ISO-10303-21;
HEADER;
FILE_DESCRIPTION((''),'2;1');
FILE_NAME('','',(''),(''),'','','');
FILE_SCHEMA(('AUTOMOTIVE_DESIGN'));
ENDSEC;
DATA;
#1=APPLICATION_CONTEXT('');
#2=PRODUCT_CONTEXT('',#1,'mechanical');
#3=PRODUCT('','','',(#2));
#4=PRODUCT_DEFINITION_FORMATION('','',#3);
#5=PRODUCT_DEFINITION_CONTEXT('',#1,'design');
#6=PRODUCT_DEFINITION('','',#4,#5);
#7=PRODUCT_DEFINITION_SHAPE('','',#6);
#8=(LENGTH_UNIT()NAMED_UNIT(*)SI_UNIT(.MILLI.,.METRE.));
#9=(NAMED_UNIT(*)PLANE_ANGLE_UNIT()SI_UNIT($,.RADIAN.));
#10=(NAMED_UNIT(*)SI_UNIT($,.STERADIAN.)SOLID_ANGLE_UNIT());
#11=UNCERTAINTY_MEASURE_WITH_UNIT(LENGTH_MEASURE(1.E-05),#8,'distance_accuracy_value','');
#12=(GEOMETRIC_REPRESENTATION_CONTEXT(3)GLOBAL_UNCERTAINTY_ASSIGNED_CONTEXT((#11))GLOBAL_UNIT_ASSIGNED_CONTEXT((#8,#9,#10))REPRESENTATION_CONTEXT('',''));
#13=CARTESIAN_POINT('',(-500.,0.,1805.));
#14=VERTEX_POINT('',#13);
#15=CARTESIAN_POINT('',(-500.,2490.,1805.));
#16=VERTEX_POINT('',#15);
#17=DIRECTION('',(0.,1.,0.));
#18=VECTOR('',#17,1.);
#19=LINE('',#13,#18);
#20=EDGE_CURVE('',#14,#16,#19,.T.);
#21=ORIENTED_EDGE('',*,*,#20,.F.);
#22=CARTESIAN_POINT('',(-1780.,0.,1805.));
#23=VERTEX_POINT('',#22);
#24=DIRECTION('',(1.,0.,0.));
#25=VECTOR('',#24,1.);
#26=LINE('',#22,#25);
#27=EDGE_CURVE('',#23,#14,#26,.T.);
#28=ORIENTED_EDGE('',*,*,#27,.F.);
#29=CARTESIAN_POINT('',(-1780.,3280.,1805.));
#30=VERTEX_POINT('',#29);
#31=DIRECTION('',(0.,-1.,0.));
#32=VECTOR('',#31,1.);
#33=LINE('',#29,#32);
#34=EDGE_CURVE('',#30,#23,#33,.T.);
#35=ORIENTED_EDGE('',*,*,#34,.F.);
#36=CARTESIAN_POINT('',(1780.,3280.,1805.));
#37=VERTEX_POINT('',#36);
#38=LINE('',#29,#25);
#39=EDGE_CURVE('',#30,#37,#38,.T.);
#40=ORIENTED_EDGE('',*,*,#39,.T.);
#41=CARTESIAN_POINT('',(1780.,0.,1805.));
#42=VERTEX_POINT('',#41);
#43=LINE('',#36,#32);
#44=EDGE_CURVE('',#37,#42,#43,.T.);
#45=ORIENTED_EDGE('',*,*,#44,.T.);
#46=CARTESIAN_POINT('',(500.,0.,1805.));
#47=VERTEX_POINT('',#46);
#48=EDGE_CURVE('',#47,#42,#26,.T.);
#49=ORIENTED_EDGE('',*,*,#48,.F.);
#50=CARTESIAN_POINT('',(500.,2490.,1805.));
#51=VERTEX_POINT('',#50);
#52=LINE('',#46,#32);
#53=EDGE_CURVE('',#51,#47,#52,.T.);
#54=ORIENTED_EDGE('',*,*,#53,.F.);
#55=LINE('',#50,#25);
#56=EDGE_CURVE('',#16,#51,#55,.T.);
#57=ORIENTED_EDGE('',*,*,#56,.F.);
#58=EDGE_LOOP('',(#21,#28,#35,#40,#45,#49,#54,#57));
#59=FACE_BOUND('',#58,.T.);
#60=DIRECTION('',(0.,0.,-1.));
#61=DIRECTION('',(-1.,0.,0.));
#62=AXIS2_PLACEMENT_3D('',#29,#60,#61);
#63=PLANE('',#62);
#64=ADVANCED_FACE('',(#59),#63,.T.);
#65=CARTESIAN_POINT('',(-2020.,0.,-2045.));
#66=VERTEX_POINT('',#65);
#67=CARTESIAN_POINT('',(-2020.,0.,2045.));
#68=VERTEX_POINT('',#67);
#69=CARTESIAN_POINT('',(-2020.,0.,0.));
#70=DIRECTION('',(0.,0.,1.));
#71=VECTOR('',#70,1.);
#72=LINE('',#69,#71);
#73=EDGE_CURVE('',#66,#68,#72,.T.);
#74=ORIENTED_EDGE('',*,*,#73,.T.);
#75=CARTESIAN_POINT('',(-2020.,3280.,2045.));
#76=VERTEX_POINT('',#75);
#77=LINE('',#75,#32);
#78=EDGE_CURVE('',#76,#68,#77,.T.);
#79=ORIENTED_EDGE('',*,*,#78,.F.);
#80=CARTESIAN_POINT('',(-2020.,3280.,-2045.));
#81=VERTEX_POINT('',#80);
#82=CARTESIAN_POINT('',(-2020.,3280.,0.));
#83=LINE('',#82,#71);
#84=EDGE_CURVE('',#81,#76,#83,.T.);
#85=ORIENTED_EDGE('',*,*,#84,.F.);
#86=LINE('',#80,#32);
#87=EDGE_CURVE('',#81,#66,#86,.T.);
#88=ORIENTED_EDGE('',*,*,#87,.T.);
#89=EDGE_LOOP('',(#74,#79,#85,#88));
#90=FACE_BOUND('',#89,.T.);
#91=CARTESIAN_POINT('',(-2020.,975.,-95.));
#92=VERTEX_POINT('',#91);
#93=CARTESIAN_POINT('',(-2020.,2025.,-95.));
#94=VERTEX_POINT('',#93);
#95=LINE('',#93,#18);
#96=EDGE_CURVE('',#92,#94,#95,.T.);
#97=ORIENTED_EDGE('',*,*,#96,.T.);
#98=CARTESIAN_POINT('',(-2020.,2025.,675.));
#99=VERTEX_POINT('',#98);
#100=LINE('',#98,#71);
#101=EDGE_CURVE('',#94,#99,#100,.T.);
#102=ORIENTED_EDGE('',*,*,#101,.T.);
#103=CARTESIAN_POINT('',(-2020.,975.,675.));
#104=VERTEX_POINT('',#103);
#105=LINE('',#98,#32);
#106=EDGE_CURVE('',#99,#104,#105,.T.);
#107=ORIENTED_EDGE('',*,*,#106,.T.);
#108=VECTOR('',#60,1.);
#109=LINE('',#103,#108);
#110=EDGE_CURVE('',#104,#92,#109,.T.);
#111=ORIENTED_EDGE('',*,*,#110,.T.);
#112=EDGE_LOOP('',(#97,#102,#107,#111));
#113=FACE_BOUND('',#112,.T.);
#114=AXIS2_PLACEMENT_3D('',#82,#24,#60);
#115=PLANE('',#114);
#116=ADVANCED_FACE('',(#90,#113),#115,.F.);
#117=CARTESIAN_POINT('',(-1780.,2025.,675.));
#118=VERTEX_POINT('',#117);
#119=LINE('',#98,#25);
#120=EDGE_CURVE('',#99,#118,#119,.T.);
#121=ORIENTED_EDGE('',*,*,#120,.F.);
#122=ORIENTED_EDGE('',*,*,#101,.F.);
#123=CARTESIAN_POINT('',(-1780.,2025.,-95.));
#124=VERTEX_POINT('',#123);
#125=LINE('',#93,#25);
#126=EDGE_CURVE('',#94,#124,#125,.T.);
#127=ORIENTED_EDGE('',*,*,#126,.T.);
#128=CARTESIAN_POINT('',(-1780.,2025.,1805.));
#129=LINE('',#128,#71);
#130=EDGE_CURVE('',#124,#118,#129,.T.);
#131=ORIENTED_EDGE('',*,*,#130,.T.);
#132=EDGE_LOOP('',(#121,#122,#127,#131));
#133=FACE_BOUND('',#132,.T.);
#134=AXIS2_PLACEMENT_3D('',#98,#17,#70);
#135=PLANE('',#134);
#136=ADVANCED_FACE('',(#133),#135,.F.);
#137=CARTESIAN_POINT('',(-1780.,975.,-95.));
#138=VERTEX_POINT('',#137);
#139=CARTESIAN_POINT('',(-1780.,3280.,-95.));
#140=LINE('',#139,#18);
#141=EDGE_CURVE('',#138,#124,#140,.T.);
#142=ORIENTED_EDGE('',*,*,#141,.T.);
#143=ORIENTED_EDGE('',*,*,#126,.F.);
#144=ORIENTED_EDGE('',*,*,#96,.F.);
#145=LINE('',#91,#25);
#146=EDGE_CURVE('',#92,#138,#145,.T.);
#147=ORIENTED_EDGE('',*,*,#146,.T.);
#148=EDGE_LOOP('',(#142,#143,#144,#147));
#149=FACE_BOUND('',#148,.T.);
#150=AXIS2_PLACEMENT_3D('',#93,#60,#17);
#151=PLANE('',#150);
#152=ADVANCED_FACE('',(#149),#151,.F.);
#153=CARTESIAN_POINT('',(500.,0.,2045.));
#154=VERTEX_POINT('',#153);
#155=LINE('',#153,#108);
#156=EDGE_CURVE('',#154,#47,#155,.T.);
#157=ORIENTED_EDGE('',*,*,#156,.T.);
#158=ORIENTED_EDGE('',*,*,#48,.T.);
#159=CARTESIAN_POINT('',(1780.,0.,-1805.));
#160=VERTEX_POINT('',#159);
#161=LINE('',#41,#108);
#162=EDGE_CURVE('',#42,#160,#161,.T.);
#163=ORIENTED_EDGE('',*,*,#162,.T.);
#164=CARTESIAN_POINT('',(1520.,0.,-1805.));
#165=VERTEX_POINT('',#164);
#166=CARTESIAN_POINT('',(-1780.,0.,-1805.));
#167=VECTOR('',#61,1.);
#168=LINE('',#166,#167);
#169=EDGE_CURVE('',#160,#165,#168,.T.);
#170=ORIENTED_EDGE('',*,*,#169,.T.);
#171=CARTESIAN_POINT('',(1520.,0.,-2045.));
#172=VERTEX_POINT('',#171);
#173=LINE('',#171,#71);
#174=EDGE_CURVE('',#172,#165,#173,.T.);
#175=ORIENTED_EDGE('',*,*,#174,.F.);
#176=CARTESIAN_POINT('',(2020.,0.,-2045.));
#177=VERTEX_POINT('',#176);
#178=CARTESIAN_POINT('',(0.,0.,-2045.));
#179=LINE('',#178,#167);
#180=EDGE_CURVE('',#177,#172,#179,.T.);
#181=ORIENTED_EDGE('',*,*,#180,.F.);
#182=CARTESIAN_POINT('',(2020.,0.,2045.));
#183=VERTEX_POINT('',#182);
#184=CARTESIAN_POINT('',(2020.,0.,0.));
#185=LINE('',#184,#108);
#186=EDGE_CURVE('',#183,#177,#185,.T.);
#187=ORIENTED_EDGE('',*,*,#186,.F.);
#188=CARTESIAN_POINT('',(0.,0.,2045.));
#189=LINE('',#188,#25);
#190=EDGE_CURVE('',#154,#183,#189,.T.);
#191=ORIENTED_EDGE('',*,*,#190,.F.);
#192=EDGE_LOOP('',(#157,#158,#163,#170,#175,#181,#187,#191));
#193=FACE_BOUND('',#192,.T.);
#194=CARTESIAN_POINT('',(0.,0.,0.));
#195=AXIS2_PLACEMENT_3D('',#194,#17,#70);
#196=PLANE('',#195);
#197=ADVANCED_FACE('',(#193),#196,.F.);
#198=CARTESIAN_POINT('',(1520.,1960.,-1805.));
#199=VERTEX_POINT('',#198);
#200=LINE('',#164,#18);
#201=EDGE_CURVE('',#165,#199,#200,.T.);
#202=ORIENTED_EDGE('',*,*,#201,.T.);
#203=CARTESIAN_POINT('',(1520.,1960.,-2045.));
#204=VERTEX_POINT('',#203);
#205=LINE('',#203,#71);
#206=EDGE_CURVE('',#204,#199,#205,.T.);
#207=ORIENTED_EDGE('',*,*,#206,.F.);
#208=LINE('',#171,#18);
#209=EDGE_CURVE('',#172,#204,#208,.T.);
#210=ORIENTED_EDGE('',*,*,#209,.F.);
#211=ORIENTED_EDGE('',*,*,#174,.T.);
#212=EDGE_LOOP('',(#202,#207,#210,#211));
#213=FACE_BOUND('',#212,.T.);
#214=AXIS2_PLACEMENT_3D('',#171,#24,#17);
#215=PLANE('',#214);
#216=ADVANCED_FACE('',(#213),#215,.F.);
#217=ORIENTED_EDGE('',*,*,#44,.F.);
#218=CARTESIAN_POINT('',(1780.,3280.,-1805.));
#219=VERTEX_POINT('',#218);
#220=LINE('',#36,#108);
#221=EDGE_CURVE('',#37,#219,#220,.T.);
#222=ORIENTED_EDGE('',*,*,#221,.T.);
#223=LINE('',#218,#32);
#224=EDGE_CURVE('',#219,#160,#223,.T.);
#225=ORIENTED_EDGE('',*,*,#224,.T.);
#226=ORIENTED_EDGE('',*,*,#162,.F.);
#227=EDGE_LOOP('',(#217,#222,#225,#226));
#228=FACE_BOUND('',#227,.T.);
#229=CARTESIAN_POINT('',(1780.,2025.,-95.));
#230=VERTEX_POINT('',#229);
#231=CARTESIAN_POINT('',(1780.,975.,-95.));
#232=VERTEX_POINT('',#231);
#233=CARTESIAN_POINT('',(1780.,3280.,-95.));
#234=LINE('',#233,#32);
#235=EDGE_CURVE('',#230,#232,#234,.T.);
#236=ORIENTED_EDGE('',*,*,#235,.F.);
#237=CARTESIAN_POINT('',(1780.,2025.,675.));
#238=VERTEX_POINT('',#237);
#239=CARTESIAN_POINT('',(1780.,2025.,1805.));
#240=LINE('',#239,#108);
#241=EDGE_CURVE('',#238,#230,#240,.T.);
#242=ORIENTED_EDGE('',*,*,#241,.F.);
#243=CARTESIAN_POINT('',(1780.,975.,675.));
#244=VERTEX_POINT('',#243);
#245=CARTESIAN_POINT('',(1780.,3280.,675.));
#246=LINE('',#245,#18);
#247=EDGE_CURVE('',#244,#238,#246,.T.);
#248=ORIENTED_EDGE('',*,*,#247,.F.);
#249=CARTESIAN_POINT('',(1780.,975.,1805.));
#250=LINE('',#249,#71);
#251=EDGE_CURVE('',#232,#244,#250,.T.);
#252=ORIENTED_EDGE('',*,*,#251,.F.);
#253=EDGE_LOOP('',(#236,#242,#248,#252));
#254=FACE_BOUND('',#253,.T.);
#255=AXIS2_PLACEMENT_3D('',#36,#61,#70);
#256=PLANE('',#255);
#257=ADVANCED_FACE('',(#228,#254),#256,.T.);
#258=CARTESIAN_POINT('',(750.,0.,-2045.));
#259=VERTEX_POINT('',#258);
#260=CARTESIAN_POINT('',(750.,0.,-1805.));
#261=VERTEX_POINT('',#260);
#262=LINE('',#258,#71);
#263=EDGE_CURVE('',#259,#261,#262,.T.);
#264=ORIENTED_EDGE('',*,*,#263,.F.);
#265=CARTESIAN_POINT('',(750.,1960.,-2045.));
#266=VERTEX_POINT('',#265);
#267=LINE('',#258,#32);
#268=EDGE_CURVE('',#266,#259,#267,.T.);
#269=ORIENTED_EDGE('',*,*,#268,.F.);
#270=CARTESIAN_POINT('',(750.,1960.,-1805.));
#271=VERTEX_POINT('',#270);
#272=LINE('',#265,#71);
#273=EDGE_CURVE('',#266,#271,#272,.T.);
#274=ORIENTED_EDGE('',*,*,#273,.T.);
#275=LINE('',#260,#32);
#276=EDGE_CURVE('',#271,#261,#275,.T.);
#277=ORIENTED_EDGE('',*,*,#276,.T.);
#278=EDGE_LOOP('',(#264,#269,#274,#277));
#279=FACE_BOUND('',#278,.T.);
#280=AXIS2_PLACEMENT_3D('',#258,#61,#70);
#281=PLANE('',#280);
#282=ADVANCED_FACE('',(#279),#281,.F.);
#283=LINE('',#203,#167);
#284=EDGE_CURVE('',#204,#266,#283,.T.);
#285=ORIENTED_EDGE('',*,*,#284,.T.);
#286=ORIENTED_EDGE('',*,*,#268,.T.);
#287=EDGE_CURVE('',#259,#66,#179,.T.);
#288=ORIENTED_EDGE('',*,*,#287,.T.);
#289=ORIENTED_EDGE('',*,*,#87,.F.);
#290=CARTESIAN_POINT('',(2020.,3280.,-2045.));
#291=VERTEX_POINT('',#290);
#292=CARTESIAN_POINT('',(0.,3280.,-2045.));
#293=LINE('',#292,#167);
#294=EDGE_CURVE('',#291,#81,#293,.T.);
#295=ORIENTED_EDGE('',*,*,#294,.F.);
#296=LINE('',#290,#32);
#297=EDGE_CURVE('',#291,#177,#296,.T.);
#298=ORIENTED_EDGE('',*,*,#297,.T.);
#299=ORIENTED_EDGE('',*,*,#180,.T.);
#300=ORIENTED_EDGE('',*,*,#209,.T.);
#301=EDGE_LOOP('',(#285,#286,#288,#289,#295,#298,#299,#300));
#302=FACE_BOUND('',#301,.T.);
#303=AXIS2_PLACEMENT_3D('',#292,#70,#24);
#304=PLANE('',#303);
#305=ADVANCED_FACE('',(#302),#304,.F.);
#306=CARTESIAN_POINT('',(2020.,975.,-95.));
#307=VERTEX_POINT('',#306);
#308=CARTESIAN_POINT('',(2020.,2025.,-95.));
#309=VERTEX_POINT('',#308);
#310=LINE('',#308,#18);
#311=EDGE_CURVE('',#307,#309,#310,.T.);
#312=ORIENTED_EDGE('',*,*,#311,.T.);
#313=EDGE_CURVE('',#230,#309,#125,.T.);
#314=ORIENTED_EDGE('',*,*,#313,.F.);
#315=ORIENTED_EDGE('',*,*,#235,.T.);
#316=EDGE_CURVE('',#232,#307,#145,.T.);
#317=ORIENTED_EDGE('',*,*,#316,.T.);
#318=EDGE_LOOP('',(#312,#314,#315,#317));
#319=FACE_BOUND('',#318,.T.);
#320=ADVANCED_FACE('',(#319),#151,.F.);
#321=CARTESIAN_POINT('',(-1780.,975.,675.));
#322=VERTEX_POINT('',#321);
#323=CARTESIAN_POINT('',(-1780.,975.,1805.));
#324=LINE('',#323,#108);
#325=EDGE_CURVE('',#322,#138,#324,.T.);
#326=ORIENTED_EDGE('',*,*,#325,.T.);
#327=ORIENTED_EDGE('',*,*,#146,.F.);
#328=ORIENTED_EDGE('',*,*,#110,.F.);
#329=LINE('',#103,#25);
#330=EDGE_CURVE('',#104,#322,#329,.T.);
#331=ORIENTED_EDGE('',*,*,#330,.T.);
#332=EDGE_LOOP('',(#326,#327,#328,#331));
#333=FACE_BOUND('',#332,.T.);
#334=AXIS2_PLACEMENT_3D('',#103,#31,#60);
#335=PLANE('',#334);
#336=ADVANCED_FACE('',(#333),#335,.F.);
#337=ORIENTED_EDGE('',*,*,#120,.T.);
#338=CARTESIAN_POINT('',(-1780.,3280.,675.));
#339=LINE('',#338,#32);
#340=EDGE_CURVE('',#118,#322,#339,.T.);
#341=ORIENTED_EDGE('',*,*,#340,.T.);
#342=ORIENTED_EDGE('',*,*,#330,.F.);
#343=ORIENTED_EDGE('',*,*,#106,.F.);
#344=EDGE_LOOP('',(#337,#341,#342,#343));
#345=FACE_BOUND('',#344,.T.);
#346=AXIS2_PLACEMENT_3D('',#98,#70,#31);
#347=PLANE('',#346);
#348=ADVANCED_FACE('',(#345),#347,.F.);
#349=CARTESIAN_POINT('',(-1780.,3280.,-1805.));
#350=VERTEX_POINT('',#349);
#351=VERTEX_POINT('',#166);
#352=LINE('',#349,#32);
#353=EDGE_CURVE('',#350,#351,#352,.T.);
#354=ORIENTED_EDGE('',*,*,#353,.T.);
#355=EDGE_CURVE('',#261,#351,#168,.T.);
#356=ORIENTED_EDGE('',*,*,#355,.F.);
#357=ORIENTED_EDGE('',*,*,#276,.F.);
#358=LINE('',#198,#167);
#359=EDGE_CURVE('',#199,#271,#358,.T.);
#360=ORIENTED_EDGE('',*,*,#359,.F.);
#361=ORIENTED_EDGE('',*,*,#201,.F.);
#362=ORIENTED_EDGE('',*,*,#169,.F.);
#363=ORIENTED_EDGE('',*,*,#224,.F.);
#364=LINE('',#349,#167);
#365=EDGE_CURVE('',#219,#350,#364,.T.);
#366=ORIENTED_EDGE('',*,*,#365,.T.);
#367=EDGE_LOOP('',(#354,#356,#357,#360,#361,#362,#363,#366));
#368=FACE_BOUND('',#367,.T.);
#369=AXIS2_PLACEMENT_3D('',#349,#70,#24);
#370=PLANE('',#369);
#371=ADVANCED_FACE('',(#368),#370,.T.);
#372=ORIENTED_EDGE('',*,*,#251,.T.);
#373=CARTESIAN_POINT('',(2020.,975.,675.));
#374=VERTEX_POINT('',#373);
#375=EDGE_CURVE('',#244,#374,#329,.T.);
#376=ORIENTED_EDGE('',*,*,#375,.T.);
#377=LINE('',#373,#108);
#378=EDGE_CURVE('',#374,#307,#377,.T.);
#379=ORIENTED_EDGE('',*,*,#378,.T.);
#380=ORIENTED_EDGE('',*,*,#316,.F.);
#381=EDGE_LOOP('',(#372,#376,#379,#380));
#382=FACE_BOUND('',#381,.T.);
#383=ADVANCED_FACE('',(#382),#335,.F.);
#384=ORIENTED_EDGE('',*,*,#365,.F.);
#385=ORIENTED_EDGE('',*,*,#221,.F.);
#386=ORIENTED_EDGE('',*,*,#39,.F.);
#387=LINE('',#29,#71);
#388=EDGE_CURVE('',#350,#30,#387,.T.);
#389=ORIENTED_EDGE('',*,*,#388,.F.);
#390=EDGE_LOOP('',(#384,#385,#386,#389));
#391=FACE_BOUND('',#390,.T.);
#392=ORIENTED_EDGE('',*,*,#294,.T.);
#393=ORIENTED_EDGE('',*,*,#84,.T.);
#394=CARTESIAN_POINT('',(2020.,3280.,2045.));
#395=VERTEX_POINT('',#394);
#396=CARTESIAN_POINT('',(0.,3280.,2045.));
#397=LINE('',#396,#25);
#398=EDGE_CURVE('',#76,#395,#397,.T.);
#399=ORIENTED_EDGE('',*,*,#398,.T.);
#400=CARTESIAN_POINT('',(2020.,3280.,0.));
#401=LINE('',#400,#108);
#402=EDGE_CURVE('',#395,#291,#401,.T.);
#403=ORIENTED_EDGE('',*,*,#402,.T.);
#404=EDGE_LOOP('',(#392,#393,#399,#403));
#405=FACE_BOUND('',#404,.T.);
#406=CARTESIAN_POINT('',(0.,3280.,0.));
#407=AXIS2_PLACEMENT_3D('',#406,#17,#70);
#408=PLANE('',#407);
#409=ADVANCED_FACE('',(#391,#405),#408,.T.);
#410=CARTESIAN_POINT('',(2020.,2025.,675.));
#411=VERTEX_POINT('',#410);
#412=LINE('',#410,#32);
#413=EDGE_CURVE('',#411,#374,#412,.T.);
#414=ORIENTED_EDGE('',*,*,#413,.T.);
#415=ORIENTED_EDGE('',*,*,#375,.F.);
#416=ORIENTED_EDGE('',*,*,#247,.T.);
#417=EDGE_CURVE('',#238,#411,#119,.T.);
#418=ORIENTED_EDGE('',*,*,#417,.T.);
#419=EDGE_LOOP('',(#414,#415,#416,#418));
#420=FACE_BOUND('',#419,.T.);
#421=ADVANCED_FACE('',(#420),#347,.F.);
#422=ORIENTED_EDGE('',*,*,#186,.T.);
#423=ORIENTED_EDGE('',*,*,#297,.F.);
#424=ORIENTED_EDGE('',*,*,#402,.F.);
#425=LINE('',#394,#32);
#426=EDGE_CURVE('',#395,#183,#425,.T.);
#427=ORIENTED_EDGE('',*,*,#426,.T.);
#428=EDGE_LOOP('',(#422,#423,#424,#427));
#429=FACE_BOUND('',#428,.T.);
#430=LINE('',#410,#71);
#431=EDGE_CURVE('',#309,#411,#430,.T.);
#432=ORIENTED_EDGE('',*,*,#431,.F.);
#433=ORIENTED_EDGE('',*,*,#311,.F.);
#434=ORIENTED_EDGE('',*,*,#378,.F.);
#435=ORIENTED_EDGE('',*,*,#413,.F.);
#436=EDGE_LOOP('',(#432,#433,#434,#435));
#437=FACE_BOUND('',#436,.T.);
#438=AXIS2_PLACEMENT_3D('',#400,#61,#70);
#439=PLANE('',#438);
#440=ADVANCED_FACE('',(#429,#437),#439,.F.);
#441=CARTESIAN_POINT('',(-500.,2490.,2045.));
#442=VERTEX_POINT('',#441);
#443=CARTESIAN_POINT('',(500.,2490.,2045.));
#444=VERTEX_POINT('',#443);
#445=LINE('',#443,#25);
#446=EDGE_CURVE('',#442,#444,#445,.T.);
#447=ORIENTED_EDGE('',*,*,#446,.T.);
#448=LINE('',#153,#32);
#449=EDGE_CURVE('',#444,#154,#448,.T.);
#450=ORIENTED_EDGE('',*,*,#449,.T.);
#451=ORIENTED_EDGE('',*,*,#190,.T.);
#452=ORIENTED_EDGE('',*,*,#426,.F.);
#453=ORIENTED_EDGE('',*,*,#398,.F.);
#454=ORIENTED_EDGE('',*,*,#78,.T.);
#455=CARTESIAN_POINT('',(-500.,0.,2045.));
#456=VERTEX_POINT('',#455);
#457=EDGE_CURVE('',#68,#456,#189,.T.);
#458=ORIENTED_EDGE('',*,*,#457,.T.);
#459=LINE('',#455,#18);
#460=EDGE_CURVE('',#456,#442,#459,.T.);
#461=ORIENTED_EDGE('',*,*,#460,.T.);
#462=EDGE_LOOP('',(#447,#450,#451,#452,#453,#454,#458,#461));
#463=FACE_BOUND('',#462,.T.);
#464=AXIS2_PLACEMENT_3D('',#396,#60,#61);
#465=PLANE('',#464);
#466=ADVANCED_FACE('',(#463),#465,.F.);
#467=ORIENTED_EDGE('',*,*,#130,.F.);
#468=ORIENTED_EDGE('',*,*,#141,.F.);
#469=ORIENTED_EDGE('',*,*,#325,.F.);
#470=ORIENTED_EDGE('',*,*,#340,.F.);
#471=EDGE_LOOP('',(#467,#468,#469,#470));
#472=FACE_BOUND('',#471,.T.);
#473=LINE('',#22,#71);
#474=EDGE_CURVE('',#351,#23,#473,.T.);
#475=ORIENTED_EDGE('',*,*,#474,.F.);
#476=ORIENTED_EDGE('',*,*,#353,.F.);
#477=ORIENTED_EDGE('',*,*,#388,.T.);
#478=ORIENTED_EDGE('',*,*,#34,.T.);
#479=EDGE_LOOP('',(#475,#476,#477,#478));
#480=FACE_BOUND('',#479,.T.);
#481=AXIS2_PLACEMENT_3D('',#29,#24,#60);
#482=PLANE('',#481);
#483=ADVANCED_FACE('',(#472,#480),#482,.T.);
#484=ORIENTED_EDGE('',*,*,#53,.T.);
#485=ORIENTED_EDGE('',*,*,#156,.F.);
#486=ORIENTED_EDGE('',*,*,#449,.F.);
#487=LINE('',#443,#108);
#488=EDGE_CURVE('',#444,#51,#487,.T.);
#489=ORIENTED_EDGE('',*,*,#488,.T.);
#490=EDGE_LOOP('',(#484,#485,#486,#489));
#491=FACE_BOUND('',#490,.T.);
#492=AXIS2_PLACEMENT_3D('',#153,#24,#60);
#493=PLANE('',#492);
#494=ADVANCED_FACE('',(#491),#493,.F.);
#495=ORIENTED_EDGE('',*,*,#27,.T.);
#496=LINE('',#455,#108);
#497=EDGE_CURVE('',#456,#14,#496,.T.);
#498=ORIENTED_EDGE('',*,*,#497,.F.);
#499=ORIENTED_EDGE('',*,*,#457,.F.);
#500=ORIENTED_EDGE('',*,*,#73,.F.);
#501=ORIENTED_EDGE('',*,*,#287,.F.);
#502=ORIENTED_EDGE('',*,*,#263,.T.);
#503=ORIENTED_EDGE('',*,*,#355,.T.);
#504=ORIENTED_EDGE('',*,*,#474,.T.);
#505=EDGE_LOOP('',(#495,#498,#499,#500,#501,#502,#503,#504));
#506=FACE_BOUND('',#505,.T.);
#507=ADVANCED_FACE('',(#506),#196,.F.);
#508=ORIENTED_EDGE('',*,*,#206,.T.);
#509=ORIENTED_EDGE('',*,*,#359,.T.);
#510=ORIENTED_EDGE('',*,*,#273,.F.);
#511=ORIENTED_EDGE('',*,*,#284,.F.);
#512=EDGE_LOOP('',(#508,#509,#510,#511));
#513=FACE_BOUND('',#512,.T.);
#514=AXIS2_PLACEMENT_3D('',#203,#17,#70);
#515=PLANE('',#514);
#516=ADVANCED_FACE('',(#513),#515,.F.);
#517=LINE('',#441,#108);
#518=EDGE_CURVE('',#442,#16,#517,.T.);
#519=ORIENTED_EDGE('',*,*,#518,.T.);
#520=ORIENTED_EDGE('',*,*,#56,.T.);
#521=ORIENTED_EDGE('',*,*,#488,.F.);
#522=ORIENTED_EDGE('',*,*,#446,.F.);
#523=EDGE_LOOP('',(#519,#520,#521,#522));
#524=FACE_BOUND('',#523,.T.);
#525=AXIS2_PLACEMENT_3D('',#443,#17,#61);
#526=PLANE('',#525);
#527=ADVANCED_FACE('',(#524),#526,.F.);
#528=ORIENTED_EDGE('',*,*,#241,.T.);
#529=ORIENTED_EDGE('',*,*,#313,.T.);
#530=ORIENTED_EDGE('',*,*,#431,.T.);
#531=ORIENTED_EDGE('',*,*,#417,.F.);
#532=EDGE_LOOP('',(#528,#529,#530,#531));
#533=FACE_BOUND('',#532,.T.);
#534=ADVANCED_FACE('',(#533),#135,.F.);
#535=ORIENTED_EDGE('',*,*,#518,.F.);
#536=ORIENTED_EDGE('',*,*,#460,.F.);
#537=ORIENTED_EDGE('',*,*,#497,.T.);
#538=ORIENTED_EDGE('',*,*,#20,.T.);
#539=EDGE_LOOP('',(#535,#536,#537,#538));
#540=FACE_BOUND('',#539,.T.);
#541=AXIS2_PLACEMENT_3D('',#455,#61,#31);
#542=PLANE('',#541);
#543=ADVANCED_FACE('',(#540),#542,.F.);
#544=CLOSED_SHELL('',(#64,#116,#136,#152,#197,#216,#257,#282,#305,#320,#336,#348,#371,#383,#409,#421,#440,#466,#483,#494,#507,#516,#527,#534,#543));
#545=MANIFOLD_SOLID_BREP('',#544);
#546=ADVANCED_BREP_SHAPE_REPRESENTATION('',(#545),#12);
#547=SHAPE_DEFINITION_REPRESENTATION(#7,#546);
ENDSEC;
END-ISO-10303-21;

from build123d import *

# Parameters (mm, degrees)
SKETCH_1_W                 = 4040
SKETCH_1_H                 = 4090
SKETCH_1_W_2               = 3560
SKETCH_1_H_2               = 3610
EXTRUDE_293_DEPTH          = 3280
SKETCH_3_W                 = 770
SKETCH_3_H                 = 1960
CUT_EXTRUDE_510_DEPTH      = 241
SKETCH_4_W                 = 1000
SKETCH_4_H                 = 2490
CUT_EXTRUDE_703_DEPTH      = 241
SKETCH_5_W                 = 770
SKETCH_5_H                 = 1050
CUT_EXTRUDE_922_DEPTH      = 3801
CUT_EXTRUDE_922_DEPTH_BACK = 241


with BuildPart() as part:
    # 草图1 → Extrude 293 (new body)
    with BuildSketch(Plane(origin=(0, 0, 0), x_dir=(1, 0, 0), z_dir=(0, 1, 0))):
        Rectangle(SKETCH_1_W, SKETCH_1_H)
        Rectangle(SKETCH_1_W_2, SKETCH_1_H_2, mode=Mode.SUBTRACT)
    extrude(amount=EXTRUDE_293_DEPTH)

    # 草图3 → Cut-Extrude 510 (cut, through all)
    with BuildSketch(Plane.XY.offset(-1805)):
        with Locations((1135, 980)):
            Rectangle(SKETCH_3_W, SKETCH_3_H)
    extrude(amount=-CUT_EXTRUDE_510_DEPTH, mode=Mode.SUBTRACT)

    # 草图4 → Cut-Extrude 703 (cut, through all)
    with BuildSketch(Plane(origin=(0, 0, 1805), x_dir=(-1, 0, 0), z_dir=(0, 0, -1))):
        with Locations((0, 1245)):
            Rectangle(SKETCH_4_W, SKETCH_4_H)
    extrude(amount=-CUT_EXTRUDE_703_DEPTH, mode=Mode.SUBTRACT)

    # 草图5 → Cut-Extrude 922 (cut, two sides)
    with BuildSketch(Plane(origin=(-1780, 0, 0), x_dir=(0, 0, -1), z_dir=(1, 0, 0))) as cut_extrude_922_sk:
        with Locations((-290, 1500)):
            Rectangle(SKETCH_5_W, SKETCH_5_H)
    extrude(amount=CUT_EXTRUDE_922_DEPTH, mode=Mode.SUBTRACT)
    extrude(cut_extrude_922_sk.sketch, amount=-CUT_EXTRUDE_922_DEPTH_BACK, mode=Mode.SUBTRACT)


solid = part.part
